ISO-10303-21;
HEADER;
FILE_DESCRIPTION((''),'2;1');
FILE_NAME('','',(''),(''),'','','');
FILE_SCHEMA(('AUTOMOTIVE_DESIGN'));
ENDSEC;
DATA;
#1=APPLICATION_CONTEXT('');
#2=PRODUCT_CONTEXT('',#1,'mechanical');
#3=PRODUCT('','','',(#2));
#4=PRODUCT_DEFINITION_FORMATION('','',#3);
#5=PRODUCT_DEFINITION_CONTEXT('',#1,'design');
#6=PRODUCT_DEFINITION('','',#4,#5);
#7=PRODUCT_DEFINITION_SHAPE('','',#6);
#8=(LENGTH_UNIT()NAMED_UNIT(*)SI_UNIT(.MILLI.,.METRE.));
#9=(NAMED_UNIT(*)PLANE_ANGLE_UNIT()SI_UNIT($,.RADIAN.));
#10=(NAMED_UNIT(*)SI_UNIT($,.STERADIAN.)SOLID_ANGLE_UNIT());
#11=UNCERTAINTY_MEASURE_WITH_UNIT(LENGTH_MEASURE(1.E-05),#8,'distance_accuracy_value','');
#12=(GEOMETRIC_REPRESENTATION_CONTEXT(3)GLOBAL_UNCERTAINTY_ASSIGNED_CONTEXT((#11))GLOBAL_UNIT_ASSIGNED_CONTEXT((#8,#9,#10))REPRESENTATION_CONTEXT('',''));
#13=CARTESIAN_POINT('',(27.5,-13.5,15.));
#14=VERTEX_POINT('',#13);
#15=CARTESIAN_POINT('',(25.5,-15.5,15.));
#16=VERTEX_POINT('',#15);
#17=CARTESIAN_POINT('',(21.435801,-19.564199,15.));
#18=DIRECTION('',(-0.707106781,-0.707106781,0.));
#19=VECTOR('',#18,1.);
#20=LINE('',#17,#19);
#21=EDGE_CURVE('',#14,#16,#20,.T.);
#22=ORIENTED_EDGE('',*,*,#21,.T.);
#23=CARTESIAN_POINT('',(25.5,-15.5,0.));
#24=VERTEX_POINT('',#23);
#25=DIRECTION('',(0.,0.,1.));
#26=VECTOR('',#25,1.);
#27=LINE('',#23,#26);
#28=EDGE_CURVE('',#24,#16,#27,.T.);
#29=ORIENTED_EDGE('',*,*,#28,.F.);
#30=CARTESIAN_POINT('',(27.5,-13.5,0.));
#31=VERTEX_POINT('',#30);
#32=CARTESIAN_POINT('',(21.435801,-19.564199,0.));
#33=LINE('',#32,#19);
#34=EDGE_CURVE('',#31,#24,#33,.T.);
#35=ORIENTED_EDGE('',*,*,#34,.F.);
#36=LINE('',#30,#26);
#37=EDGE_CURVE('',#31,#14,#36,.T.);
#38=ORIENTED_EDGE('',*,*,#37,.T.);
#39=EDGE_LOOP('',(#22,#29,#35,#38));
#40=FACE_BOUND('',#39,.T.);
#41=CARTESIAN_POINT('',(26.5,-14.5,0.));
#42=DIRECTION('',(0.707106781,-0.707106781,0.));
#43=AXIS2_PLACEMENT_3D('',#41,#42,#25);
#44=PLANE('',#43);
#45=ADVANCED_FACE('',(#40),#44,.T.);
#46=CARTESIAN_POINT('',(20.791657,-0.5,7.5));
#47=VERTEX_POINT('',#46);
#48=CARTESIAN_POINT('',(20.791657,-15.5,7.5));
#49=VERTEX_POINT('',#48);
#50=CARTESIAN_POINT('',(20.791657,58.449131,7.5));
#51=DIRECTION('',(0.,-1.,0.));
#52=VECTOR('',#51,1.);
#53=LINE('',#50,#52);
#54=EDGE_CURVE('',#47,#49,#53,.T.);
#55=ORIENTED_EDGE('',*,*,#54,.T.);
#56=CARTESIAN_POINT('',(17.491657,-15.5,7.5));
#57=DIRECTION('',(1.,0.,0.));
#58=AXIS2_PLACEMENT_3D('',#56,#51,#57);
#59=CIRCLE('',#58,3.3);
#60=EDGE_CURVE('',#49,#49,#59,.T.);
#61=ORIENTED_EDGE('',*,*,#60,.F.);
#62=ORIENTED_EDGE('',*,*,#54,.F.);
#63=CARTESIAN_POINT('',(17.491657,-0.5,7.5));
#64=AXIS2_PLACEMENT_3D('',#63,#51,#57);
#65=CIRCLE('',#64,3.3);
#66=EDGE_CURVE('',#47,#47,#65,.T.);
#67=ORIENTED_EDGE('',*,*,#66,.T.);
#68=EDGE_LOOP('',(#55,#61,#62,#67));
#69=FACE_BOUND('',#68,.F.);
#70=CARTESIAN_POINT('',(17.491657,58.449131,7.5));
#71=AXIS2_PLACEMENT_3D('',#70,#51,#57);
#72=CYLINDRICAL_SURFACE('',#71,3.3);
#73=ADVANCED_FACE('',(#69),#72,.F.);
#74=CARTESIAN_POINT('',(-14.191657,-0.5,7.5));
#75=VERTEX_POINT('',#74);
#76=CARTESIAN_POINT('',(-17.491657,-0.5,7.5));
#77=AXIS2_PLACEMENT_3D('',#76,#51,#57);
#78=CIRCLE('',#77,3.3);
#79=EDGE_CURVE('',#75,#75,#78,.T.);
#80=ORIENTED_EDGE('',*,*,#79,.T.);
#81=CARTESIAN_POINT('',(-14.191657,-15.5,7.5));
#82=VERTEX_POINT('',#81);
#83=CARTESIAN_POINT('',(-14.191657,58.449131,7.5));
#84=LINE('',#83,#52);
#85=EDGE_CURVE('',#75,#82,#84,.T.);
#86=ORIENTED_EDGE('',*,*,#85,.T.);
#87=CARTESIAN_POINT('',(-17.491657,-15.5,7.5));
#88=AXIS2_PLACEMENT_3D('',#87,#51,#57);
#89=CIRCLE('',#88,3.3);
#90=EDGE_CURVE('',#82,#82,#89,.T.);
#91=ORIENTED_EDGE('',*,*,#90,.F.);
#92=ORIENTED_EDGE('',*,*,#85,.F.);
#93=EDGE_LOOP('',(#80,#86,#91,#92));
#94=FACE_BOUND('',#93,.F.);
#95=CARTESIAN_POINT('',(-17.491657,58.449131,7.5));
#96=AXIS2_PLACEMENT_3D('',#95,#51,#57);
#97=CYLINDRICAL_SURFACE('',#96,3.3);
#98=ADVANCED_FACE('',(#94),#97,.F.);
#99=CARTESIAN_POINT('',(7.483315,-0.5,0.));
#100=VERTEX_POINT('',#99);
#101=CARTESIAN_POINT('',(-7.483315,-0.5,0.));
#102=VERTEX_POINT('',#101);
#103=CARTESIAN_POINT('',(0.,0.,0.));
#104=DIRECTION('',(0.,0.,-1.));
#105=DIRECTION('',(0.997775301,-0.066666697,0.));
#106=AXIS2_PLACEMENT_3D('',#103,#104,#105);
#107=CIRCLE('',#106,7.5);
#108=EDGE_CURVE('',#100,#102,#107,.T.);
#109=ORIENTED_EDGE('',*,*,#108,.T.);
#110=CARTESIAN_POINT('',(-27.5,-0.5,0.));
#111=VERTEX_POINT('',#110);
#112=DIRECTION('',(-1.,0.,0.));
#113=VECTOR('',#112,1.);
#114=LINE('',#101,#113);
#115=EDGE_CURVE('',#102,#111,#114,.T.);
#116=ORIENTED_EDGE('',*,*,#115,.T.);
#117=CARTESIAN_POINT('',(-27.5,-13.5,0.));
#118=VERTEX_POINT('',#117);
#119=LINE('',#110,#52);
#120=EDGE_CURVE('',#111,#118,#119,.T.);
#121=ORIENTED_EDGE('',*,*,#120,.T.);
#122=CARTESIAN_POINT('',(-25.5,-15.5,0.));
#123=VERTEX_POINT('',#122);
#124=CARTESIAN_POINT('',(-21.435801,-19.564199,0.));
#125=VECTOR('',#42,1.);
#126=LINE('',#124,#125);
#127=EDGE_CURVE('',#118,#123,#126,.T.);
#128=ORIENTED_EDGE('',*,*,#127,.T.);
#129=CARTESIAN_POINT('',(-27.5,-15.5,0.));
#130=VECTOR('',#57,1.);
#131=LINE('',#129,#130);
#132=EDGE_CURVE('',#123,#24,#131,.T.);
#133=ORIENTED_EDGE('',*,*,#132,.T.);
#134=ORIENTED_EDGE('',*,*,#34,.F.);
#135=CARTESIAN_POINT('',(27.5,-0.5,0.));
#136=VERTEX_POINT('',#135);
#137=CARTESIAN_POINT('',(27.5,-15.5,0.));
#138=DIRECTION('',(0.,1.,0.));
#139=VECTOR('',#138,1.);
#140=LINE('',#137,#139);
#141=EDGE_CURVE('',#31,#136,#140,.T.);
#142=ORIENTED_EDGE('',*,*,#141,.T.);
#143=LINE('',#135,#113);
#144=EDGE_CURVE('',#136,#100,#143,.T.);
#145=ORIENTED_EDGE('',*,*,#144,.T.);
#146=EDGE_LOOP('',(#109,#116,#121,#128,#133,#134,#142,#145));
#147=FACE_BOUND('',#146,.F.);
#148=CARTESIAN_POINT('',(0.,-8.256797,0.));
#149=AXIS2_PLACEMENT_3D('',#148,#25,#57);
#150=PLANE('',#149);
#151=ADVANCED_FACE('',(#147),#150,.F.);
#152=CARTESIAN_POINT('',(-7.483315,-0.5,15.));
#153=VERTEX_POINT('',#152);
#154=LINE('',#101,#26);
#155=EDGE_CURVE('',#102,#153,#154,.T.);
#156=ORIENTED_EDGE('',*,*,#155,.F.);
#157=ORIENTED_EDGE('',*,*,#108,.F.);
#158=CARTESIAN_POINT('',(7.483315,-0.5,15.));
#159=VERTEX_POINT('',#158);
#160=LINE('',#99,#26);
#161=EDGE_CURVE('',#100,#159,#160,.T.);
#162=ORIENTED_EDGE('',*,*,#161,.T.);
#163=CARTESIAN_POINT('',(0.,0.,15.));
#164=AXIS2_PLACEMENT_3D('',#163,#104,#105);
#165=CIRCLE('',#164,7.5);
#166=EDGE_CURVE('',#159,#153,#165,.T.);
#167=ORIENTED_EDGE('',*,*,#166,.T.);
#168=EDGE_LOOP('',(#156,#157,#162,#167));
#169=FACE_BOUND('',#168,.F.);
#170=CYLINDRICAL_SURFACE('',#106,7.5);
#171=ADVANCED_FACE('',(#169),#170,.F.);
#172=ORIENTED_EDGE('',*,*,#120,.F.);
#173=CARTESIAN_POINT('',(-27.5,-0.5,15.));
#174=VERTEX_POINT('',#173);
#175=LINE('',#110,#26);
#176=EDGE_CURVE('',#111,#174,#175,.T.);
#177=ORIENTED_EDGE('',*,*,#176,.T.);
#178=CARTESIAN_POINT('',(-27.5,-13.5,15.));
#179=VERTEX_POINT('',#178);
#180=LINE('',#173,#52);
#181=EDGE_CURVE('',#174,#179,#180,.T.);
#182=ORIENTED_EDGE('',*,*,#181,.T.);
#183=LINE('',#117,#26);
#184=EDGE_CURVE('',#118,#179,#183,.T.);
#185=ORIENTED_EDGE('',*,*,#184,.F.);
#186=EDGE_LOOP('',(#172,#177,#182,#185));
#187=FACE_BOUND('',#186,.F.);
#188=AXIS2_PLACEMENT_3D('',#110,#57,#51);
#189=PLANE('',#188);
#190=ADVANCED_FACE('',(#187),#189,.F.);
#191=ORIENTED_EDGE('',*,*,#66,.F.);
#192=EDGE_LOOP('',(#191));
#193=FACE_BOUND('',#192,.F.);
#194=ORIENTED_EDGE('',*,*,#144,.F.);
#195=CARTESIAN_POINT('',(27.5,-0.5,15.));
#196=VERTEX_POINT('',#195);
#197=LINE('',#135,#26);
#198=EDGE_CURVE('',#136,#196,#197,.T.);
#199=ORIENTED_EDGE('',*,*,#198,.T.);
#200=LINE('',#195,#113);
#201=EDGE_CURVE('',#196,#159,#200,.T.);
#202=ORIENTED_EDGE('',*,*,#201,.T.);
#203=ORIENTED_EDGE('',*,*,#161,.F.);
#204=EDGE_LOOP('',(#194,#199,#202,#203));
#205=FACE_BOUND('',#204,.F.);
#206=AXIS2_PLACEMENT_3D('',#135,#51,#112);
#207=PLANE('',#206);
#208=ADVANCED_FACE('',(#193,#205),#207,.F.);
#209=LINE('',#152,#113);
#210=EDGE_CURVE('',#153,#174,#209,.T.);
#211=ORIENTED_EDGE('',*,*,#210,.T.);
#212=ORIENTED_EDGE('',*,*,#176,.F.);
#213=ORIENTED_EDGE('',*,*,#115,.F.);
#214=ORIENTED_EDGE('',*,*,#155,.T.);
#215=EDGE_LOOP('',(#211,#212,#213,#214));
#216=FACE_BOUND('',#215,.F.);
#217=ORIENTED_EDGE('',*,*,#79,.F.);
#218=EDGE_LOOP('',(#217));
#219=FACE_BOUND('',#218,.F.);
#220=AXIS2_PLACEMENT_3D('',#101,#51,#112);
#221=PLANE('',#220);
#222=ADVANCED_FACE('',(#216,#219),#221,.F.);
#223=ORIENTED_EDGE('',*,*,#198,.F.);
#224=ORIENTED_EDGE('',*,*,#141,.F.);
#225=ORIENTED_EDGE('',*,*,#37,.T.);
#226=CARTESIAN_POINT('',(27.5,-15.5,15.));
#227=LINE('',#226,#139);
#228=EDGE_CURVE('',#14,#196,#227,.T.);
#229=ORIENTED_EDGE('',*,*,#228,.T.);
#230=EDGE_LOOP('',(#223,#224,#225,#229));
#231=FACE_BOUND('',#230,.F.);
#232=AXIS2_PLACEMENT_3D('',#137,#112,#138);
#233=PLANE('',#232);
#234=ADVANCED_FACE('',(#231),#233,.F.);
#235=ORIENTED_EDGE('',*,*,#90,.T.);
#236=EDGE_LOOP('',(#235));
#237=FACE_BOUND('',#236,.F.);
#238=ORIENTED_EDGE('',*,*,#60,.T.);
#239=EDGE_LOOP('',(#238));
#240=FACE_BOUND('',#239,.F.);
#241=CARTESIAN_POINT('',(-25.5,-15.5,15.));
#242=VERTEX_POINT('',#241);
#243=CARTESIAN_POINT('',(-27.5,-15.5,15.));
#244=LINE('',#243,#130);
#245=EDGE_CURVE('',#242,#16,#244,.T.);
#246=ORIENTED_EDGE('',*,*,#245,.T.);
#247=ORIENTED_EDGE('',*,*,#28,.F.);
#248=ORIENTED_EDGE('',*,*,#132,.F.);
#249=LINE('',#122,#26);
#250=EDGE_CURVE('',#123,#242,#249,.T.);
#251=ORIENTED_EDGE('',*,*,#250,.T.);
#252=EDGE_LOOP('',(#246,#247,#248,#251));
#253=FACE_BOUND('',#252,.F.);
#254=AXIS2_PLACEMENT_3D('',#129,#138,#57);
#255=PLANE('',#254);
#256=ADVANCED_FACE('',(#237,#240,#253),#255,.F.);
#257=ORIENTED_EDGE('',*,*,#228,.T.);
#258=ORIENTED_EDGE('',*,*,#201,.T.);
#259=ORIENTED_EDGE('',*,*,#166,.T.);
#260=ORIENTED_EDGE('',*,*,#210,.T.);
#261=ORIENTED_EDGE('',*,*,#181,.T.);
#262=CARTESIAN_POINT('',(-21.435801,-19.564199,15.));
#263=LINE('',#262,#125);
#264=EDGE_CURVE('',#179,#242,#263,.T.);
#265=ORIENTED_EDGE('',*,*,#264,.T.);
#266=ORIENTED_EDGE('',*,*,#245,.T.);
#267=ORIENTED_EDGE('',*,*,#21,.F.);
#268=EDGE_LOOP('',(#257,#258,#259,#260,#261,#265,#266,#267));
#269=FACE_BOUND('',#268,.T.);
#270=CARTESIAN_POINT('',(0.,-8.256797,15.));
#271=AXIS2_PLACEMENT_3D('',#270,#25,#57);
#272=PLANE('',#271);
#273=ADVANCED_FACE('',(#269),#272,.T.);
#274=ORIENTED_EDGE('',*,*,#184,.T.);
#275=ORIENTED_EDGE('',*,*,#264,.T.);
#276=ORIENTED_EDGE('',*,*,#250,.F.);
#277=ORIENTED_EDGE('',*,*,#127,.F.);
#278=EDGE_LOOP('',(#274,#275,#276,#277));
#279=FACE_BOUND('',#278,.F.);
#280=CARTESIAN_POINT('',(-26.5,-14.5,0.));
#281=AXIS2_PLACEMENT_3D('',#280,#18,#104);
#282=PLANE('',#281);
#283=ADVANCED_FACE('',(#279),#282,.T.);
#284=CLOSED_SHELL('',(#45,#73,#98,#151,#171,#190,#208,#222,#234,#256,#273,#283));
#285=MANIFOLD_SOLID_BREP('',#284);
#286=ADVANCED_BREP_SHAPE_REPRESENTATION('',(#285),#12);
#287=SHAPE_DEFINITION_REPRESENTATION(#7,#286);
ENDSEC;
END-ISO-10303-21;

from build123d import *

# Parameters (mm, degrees)
F1_DEPTH = 15
F3_D     = 6.6
F4_SIZE2 = 2
F4_SIZE  = 2


with BuildPart() as f1:
    # F0 (on Top) → F1 (new body)
    with BuildSketch(Plane.XY):
        with BuildLine():
            ThreePointArc((7.483315, -0.5), (0, -7.5), (-7.483315, -0.5))
            Line((-7.483315, -0.5), (-27.5, -0.5))
            Line((-27.5, -0.5), (-27.5, -15.5))
            Line((-27.5, -15.5), (27.5, -15.5))
            Line((27.5, -15.5), (27.5, -0.5))
            Line((27.5, -0.5), (7.483315, -0.5))
        make_face()
    extrude(amount=F1_DEPTH)

    # F3 (through all)
    with Locations(Plane(origin=(0, -0.5, 0), x_dir=(-1, 0, 0), z_dir=(0, 1, 0))):
        with Locations((17.491657, 7.5), (-17.491657, 7.5)):
            Hole(F3_D / 2)

    # F4
    f4_edges = [f1.edges().sort_by_distance(p)[0] for p in [
        (-27.5, -15.5, 7.5),
        (27.5, -15.5, 7.5),
    ]]
    chamfer(f4_edges, length=F4_SIZE, length2=F4_SIZE2)


solid = f1.part
